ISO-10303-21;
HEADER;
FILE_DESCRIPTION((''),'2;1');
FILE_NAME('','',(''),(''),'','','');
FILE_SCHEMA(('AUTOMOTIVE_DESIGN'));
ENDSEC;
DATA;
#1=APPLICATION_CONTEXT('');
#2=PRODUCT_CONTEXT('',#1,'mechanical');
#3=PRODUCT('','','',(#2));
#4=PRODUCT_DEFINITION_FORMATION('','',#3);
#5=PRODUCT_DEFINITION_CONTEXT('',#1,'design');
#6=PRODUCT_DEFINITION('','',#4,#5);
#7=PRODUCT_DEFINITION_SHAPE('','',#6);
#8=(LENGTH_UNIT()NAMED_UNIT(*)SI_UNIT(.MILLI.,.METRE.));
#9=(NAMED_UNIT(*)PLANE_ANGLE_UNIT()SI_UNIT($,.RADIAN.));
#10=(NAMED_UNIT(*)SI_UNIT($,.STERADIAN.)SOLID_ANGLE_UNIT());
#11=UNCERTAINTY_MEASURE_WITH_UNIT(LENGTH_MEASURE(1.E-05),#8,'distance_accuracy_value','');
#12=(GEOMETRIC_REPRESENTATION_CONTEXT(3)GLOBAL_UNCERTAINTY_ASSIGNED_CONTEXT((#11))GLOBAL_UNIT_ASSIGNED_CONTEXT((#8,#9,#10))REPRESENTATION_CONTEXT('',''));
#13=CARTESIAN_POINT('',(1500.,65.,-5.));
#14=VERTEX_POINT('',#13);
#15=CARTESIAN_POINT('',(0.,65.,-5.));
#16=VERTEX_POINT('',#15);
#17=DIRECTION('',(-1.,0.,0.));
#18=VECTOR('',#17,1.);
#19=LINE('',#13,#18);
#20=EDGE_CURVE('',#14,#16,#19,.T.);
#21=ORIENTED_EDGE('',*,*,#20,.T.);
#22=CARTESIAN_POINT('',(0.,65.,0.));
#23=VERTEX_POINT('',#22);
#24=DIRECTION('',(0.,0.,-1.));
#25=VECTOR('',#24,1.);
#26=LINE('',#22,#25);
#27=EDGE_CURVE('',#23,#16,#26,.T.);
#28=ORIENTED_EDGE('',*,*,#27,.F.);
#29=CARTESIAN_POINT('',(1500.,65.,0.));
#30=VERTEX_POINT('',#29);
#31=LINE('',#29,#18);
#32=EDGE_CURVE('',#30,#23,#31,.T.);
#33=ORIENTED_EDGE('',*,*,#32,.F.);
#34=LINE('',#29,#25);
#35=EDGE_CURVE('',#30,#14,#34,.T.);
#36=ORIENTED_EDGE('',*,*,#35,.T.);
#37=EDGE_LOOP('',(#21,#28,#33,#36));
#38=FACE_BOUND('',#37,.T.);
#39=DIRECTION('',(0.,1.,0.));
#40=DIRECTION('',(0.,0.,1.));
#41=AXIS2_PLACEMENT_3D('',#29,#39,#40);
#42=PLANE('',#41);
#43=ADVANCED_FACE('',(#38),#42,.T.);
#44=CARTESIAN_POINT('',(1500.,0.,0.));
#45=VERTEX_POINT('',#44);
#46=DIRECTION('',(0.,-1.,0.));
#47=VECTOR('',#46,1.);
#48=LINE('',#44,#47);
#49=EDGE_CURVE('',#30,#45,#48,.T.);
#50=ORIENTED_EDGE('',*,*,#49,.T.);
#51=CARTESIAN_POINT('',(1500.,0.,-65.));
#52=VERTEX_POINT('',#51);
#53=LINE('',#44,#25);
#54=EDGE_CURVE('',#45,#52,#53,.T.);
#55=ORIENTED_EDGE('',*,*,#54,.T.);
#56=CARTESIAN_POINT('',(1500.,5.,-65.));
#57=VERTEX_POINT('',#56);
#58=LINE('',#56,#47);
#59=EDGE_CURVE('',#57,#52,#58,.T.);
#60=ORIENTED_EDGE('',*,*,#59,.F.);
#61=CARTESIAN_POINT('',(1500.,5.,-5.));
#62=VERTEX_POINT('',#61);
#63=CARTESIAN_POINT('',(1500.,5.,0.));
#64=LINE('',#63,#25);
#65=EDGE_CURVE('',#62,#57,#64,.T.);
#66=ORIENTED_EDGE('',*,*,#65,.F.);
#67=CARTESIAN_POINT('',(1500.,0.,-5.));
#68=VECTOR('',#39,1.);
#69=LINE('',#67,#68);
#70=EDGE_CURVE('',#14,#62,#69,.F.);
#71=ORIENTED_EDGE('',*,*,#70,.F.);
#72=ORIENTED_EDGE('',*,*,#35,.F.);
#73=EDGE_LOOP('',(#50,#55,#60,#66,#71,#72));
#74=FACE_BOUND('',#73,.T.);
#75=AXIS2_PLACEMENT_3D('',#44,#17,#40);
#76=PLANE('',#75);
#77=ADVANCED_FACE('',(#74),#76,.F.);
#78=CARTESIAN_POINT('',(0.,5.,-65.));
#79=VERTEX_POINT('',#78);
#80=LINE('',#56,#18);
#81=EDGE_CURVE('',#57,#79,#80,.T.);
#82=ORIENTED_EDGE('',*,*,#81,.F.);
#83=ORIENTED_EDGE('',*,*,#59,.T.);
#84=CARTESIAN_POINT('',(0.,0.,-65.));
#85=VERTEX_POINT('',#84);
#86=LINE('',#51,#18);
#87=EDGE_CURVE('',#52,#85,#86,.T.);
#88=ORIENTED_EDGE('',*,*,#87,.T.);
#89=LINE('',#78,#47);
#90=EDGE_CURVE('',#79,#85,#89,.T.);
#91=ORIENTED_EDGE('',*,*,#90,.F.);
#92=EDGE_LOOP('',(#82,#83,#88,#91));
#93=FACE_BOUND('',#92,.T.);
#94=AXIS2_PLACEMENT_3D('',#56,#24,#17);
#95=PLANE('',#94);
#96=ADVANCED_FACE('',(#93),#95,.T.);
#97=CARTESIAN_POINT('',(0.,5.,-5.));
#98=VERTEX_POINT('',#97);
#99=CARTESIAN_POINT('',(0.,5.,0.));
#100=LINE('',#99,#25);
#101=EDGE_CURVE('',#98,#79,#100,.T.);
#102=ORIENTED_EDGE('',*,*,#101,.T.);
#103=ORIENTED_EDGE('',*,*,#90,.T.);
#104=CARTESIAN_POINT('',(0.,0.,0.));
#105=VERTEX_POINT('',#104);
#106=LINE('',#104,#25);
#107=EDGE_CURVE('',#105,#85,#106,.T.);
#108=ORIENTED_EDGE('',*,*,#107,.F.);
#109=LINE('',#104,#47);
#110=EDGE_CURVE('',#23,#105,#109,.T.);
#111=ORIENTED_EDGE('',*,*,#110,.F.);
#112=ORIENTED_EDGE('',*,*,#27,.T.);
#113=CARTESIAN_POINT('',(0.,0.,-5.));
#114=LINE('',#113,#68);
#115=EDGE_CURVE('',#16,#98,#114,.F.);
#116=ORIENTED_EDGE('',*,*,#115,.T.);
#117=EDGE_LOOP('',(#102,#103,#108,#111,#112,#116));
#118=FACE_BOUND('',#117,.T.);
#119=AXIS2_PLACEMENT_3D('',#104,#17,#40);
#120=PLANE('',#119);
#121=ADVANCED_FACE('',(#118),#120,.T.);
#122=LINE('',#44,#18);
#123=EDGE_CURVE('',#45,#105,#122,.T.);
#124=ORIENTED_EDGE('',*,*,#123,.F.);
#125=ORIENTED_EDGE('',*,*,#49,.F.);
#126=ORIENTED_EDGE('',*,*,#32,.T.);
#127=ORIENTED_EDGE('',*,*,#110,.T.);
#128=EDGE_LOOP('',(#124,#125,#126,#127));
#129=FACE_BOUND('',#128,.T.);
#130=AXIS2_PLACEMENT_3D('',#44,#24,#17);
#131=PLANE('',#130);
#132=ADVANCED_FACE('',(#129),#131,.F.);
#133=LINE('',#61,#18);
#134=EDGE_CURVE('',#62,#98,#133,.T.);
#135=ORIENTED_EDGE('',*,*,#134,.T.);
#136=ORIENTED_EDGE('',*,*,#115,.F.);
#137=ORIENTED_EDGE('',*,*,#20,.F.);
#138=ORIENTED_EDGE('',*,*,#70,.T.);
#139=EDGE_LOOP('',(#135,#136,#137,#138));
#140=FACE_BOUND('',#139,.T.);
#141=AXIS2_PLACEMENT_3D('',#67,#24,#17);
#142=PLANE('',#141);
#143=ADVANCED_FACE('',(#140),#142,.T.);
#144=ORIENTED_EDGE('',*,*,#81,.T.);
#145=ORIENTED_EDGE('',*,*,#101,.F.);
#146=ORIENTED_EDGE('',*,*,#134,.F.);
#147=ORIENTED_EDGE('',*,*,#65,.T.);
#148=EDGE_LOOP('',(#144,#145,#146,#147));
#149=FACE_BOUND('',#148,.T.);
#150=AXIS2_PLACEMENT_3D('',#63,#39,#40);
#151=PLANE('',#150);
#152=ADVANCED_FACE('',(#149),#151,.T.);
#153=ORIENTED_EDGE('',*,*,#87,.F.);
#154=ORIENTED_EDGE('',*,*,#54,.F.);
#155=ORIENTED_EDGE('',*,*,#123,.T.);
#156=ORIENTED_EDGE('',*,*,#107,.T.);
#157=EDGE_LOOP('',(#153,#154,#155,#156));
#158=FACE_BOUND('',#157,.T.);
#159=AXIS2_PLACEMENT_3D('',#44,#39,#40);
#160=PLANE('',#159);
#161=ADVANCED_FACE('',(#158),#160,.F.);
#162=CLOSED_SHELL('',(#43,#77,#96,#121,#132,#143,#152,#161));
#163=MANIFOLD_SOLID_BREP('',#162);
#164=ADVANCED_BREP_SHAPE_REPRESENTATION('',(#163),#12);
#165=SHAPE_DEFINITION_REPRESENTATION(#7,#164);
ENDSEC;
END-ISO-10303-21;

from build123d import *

# Parameters (mm, degrees)
EXTRUDE_1_DEPTH = 1500


with BuildPart() as part:
    # Эскиз1 → Вытянуть-Тонкостенный1 (new body)
    with BuildSketch(Plane(origin=(0, 0, 0), x_dir=(0, 0, -1), z_dir=(1, 0, 0))):
        Polygon((65, 0), (0, 0), (0, 65), (5, 65), (5, 5), (65, 5), align=None)
    extrude(amount=EXTRUDE_1_DEPTH)


solid = part.part
